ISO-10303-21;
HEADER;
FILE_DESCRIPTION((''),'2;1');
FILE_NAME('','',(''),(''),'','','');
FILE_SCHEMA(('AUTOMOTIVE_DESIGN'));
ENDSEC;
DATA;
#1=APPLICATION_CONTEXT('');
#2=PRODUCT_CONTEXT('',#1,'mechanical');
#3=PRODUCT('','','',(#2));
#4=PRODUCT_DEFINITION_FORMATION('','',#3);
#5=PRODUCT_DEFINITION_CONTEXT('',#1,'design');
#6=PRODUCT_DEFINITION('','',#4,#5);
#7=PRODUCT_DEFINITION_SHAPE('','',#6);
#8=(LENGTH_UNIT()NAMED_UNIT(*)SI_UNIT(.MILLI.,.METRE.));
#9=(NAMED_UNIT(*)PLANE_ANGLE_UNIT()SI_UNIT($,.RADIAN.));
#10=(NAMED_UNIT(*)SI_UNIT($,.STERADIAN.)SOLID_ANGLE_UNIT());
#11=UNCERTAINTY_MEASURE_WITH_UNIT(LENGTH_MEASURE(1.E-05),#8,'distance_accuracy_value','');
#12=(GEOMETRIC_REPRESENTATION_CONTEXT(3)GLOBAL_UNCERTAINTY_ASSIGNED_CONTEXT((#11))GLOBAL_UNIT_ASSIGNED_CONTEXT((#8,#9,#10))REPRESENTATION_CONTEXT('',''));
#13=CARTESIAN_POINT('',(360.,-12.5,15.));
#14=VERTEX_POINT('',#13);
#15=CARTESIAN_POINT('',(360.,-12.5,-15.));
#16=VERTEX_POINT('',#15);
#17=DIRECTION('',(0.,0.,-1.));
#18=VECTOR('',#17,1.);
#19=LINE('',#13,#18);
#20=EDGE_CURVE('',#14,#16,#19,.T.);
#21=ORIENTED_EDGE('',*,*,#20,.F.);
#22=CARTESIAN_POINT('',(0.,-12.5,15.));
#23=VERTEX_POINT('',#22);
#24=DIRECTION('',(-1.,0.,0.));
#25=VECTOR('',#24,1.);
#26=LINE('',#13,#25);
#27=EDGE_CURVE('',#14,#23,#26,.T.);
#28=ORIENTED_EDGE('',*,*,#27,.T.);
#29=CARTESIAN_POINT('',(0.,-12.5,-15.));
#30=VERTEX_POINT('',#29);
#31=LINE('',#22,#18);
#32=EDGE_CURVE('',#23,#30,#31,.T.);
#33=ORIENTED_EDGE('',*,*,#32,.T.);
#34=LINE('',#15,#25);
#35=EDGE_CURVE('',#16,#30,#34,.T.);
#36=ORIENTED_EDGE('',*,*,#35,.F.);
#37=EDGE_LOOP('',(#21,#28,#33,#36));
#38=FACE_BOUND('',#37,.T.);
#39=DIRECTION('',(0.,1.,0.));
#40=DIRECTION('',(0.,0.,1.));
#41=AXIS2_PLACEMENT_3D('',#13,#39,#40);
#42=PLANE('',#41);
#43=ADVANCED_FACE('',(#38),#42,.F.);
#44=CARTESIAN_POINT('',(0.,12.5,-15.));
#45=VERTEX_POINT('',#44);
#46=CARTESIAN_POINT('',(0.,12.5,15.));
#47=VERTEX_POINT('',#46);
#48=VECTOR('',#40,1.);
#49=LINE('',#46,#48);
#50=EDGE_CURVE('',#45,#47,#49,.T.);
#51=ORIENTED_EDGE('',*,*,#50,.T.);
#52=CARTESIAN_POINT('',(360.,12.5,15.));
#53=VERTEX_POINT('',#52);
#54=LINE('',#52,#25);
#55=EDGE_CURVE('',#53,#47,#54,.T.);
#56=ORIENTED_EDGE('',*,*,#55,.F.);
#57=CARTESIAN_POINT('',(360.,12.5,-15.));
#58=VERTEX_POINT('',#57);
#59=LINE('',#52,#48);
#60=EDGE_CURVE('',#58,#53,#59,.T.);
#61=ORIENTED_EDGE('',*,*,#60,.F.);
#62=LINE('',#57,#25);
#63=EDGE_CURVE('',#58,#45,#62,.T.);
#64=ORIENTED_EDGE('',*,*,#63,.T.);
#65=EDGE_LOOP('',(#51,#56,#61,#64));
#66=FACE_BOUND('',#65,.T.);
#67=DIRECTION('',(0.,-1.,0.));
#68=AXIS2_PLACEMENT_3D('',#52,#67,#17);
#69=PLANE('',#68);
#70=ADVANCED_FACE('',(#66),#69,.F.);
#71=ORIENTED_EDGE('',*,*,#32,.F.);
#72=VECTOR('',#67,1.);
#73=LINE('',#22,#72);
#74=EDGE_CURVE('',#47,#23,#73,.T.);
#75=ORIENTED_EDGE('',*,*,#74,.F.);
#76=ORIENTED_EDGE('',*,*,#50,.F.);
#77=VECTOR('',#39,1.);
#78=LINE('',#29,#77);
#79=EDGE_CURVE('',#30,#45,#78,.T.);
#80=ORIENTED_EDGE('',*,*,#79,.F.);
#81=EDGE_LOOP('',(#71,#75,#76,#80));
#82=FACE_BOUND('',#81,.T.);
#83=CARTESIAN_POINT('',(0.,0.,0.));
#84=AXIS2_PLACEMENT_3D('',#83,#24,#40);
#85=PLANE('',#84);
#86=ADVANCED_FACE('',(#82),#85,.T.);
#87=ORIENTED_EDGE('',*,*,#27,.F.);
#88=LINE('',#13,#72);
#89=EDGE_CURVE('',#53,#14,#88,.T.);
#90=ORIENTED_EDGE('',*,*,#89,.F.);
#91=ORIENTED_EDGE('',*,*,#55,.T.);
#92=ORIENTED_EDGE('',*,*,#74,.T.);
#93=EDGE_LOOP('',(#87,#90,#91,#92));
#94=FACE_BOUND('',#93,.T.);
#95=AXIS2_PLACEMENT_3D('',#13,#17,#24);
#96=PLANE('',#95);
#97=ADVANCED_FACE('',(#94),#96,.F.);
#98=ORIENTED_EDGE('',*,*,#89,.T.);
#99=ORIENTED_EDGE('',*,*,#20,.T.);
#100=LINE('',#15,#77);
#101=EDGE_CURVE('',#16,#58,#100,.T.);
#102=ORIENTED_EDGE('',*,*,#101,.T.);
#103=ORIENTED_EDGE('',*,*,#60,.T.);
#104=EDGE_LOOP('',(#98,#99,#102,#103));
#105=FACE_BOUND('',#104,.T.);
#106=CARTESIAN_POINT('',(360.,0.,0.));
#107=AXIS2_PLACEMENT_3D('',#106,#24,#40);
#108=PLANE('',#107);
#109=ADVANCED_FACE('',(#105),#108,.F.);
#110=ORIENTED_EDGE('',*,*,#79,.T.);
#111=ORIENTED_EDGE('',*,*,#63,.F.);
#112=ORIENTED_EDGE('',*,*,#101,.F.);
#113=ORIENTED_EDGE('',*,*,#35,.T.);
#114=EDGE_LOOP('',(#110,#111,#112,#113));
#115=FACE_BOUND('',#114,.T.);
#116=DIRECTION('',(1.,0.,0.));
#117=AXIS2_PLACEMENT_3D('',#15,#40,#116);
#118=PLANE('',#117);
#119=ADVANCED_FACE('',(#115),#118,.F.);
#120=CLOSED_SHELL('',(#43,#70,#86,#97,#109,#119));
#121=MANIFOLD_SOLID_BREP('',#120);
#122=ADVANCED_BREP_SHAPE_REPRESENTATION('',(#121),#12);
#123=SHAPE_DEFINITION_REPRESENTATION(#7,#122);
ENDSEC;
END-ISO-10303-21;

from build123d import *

# Parameters (mm, degrees)
SKETCH_2_W      = 30
SKETCH_2_H      = 25
EXTRUDE_1_DEPTH = 360


with BuildPart() as part:
    # Эскиз2 → Бобышка-Вытянуть1 (new body)
    with BuildSketch(Plane(origin=(0, 0, 0), x_dir=(0, 0, -1), z_dir=(1, 0, 0))):
        Rectangle(SKETCH_2_W, SKETCH_2_H)
    extrude(amount=EXTRUDE_1_DEPTH)


solid = part.part
